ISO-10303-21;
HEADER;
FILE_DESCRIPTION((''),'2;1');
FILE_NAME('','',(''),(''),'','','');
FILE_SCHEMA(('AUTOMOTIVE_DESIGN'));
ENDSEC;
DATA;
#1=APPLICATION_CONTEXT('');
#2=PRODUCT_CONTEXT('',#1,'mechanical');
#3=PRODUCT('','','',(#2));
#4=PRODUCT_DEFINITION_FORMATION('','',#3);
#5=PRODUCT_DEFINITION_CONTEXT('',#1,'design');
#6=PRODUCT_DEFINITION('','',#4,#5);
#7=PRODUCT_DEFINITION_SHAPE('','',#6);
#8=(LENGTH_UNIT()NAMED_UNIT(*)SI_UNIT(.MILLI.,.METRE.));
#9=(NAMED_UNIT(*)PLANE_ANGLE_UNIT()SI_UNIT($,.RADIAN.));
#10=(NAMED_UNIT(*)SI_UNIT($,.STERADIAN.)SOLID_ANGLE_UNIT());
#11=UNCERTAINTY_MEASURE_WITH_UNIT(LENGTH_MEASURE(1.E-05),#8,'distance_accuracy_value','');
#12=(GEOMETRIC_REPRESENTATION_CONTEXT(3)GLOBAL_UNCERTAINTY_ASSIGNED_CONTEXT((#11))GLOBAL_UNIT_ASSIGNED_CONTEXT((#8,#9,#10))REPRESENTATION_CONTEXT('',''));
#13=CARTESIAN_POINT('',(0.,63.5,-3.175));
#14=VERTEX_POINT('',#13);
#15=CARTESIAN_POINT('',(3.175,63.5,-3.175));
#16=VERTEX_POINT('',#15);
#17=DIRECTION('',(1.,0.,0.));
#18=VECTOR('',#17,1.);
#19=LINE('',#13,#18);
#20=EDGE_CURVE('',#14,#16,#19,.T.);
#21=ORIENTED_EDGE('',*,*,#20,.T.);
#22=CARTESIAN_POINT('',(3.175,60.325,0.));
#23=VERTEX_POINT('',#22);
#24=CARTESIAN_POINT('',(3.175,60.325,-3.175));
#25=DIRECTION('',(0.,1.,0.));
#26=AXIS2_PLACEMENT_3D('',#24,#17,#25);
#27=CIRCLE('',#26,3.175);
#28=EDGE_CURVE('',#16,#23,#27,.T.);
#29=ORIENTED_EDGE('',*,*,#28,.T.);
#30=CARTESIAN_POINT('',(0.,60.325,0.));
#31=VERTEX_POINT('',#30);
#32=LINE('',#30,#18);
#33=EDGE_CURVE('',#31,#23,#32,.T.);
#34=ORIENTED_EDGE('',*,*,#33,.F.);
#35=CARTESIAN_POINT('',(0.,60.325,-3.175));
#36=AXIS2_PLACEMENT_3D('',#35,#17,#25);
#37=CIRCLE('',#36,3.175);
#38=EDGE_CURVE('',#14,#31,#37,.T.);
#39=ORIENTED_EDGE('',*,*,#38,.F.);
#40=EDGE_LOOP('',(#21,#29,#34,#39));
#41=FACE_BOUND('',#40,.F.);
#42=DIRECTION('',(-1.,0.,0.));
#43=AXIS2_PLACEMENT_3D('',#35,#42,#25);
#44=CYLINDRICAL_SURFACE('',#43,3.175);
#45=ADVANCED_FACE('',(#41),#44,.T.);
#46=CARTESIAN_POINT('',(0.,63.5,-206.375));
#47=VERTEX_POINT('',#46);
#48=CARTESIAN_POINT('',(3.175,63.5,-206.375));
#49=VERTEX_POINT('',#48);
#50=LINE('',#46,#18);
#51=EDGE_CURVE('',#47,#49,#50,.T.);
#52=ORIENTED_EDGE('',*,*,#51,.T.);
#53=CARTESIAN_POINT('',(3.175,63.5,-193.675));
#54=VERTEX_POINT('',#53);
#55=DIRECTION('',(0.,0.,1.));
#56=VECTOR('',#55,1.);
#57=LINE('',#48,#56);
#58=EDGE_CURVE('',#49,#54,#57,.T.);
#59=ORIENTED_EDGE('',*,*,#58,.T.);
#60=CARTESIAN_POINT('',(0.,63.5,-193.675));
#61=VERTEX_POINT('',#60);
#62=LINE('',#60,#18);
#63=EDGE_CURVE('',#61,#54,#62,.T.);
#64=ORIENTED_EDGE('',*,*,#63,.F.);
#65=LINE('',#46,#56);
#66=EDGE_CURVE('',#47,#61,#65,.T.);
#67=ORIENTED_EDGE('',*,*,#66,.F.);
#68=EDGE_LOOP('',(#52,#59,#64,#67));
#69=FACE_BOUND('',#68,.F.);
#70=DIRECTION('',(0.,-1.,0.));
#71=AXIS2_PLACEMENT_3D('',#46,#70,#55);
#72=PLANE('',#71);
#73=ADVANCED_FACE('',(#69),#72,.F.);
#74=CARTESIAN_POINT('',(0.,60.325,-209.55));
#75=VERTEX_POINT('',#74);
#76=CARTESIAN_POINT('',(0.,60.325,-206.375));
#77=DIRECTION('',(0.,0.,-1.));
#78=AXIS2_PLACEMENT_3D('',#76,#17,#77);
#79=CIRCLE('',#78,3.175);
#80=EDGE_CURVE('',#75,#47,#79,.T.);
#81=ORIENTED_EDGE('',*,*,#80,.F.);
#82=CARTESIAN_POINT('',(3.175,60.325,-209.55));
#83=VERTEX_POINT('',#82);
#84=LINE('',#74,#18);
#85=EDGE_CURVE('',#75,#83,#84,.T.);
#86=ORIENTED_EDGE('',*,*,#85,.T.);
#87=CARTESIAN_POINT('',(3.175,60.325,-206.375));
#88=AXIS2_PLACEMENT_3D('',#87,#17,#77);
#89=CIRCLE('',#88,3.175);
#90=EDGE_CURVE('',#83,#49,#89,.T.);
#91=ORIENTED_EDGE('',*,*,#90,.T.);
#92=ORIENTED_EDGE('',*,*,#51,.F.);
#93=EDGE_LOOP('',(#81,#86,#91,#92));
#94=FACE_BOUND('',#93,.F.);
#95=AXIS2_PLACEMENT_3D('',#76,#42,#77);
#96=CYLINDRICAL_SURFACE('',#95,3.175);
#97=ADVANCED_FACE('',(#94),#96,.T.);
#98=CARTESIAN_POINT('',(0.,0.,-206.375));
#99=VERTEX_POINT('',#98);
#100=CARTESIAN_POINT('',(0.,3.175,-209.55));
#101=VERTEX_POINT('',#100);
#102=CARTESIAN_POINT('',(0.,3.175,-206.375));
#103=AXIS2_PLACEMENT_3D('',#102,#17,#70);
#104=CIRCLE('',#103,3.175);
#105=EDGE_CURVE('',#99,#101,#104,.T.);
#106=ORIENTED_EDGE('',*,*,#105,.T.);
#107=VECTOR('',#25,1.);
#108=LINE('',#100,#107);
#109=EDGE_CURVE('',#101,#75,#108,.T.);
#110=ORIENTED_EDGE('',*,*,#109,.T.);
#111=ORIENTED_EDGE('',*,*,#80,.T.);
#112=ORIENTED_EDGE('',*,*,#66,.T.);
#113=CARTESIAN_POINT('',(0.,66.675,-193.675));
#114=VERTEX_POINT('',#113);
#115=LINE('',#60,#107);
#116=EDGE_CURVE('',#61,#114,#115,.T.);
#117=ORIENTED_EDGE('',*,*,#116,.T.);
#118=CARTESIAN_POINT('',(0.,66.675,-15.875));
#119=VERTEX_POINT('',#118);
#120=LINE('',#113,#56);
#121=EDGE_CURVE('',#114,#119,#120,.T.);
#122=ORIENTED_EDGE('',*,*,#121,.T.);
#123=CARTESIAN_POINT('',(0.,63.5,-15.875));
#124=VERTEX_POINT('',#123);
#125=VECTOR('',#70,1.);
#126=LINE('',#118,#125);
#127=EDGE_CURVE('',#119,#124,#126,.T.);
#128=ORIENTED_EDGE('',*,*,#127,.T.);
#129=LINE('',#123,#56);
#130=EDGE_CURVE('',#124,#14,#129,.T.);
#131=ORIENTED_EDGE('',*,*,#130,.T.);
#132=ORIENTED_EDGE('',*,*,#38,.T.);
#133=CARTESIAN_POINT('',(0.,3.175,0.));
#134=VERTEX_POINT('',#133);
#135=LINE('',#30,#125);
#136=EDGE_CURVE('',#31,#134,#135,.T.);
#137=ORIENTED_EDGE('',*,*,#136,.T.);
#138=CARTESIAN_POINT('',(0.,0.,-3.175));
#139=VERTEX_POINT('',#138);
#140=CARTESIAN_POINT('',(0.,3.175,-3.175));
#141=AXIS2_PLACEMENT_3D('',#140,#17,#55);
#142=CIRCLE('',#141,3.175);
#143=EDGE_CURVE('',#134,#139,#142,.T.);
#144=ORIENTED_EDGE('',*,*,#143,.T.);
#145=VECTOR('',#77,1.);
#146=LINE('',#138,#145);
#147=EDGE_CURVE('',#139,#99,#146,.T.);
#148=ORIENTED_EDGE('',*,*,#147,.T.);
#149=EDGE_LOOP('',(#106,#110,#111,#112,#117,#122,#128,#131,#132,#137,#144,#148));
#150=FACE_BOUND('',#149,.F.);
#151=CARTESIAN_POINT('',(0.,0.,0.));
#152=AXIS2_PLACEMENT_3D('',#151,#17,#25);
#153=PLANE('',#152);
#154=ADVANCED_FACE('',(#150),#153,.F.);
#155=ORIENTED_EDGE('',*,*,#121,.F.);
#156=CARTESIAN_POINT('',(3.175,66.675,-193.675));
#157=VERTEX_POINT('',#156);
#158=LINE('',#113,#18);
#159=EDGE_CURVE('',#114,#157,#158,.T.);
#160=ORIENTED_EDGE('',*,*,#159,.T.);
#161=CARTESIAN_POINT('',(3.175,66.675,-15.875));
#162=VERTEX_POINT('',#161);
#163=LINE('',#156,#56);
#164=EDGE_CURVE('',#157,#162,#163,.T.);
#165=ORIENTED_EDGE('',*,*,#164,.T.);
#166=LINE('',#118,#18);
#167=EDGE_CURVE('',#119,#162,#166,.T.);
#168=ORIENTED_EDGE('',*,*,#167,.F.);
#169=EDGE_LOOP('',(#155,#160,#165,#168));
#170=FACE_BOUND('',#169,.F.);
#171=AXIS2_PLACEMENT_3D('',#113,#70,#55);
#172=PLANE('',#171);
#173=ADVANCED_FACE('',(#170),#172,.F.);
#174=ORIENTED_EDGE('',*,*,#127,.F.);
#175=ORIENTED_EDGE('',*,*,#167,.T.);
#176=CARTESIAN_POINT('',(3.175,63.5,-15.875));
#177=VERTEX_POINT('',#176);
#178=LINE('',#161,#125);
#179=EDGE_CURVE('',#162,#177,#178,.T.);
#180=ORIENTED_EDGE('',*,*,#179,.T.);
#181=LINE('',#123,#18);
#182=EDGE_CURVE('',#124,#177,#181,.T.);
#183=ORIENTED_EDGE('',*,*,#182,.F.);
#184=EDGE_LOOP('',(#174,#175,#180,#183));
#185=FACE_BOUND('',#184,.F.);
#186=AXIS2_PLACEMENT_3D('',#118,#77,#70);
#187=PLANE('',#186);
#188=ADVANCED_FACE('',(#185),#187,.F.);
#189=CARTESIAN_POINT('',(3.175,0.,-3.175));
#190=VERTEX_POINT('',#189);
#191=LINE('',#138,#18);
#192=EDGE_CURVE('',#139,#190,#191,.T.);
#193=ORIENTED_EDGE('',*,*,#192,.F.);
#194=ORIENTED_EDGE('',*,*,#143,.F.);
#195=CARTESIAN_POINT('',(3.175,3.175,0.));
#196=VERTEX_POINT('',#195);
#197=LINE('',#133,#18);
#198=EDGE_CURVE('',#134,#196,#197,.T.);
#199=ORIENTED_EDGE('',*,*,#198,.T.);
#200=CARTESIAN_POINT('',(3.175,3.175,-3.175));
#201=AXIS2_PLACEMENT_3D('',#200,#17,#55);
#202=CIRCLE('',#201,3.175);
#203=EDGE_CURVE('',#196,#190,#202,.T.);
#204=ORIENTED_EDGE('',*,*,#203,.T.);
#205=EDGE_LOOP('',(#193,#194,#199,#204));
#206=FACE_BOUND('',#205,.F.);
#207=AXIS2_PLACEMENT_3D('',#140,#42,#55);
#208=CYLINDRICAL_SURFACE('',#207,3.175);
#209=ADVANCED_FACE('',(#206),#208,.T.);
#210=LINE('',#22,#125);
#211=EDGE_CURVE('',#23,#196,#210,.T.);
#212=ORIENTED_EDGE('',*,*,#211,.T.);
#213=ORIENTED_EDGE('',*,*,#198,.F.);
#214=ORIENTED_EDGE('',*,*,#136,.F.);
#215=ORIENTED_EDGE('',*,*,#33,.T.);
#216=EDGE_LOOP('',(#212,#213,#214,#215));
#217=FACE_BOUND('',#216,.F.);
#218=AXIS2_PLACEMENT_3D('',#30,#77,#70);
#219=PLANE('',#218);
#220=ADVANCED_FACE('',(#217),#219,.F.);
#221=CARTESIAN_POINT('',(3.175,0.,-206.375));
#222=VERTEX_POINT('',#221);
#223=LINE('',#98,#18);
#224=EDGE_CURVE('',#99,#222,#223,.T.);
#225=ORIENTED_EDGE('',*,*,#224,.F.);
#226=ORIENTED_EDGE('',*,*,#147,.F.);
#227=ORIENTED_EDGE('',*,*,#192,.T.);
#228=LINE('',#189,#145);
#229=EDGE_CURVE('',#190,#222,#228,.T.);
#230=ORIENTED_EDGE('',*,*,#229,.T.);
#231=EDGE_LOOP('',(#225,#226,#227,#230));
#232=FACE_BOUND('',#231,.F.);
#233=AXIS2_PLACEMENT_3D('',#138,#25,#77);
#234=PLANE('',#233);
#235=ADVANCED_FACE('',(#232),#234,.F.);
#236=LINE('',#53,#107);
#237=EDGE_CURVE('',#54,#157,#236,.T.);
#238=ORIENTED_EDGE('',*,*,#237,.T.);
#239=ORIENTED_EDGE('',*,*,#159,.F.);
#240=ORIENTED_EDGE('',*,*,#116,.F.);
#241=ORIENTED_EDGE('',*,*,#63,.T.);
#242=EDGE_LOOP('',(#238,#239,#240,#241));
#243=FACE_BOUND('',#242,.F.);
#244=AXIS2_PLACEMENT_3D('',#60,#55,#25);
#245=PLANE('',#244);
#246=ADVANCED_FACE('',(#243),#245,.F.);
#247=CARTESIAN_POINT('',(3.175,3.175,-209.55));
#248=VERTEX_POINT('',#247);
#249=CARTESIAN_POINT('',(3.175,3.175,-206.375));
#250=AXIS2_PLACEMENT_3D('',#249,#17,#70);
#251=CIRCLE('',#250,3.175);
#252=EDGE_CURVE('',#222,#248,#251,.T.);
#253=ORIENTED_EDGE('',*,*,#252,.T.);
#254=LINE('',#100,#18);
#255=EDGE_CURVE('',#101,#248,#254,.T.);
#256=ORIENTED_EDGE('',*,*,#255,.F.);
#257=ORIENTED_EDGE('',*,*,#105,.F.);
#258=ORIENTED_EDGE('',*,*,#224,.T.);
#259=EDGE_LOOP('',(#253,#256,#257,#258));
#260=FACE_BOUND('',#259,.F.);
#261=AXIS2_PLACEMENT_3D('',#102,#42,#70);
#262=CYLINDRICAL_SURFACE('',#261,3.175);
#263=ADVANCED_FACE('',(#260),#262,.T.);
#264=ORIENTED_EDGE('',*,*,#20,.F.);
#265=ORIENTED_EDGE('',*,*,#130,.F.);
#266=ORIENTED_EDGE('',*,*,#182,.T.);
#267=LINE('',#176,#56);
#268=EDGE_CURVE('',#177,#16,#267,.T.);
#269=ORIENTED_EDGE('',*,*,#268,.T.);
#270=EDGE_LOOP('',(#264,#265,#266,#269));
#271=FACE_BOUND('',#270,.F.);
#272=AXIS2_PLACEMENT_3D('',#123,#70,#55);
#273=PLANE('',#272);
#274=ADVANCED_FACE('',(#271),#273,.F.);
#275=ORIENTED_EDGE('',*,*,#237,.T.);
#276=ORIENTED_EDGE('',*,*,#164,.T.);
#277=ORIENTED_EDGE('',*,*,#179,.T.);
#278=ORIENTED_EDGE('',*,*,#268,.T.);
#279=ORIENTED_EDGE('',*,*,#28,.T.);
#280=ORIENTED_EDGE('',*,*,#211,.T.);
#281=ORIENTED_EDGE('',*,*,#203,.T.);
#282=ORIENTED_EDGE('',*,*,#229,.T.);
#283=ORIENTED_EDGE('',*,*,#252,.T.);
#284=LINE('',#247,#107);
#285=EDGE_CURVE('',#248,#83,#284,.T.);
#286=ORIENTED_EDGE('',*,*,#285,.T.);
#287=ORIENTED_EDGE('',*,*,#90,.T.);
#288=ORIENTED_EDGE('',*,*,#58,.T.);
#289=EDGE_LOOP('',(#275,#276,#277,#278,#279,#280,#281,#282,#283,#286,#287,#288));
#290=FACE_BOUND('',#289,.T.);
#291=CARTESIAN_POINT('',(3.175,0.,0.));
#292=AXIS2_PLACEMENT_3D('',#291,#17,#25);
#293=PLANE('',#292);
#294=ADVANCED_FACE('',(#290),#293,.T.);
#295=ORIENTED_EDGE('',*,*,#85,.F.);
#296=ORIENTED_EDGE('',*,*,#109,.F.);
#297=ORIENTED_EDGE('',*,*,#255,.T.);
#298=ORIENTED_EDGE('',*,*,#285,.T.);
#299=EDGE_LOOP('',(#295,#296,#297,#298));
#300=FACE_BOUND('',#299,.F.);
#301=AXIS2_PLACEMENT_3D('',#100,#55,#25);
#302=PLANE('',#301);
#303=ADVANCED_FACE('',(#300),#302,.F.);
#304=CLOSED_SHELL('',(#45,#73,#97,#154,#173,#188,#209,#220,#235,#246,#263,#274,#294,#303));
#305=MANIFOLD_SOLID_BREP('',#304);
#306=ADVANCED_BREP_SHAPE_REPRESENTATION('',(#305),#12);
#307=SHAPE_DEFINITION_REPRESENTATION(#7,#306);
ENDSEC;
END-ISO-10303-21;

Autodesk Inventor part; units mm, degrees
ref_plane "YZ Plane" through (0, 0, 0) normal (1, 0, 0) x (0, 1, 0)
ref_plane "XZ Plane" through (0, 0, 0) normal (0, 1, 0) x (-1, 0, 0)
ref_plane "XY Plane" through (0, 0, 0) normal (0, 0, 1) x (1, 0, 0)
sketch "Sketch1" plane through (0, 0, 0) normal (1, 0, 0) x (0, 1, 0)
  line L0 (63.5, -15.875) -> (63.5, -3.175)
  arc A0 (63.5, -3.175) -> (60.325, 0) centre (60.325, -3.175) ccw
  line L1 (60.325, 0) -> (3.175, 0)
  arc A1 (3.175, 0) -> (0, -3.175) centre (3.175, -3.175) ccw
  line L2 (0, -3.175) -> (0, -206.375)
  arc A2 (0, -206.375) -> (3.175, -209.55) centre (3.175, -206.375) ccw
  line L3 (3.175, -209.55) -> (60.325, -209.55)
  arc A3 (60.325, -209.55) -> (63.5, -206.375) centre (60.325, -206.375) ccw
  line L4 (63.5, -206.375) -> (63.5, -193.675)
  line L5 (63.5, -193.675) -> (66.675, -193.675)
  line L6 (66.675, -193.675) -> (66.675, -15.875)
  line L7 (66.675, -15.875) -> (63.5, -15.875)
  line L8 (63.5, -3.175) -> (63.5, -15.875)
  line L9 (63.5, -193.675) -> (66.675, -193.675)
  line L10 (63.5, -193.675) -> (63.5, -206.375)
  line L11 (60.325, -209.55) -> (3.175, -209.55)
  line L12 (0, -206.375) -> (0, -3.175)
  arc A4 (63.5, -3.175) -> (60.325, 0) centre (60.325, -3.175) ccw
  arc A5 (3.175, 0) -> (0, -3.175) centre (3.175, -3.175) ccw
  point P0 (0, 0)
extrude "Plate1" add sketch "Sketch1" along normal blind 3.175
equation "\"d0\" = Thickness"
equation "\"BendRadius\" = Thickness"
equation "\"BendReliefWidth\" = Thickness"
equation "\"BendReliefDepth\" = 0.5 * Thickness"
equation "\"CornerReliefSize\" = 4 * Thickness"
equation "\"MinimumRemnant\" = 2 * Thickness"
equation "\"TransitionRadius\" = BendRadius"
equation "\"JacobiRadiusSize\" = BendRadius"
equation "\"GapSize\" = Thickness"
equation "\"Thickness\" = 3.175"
properties part number "sides" material "Aluminum 6061"
